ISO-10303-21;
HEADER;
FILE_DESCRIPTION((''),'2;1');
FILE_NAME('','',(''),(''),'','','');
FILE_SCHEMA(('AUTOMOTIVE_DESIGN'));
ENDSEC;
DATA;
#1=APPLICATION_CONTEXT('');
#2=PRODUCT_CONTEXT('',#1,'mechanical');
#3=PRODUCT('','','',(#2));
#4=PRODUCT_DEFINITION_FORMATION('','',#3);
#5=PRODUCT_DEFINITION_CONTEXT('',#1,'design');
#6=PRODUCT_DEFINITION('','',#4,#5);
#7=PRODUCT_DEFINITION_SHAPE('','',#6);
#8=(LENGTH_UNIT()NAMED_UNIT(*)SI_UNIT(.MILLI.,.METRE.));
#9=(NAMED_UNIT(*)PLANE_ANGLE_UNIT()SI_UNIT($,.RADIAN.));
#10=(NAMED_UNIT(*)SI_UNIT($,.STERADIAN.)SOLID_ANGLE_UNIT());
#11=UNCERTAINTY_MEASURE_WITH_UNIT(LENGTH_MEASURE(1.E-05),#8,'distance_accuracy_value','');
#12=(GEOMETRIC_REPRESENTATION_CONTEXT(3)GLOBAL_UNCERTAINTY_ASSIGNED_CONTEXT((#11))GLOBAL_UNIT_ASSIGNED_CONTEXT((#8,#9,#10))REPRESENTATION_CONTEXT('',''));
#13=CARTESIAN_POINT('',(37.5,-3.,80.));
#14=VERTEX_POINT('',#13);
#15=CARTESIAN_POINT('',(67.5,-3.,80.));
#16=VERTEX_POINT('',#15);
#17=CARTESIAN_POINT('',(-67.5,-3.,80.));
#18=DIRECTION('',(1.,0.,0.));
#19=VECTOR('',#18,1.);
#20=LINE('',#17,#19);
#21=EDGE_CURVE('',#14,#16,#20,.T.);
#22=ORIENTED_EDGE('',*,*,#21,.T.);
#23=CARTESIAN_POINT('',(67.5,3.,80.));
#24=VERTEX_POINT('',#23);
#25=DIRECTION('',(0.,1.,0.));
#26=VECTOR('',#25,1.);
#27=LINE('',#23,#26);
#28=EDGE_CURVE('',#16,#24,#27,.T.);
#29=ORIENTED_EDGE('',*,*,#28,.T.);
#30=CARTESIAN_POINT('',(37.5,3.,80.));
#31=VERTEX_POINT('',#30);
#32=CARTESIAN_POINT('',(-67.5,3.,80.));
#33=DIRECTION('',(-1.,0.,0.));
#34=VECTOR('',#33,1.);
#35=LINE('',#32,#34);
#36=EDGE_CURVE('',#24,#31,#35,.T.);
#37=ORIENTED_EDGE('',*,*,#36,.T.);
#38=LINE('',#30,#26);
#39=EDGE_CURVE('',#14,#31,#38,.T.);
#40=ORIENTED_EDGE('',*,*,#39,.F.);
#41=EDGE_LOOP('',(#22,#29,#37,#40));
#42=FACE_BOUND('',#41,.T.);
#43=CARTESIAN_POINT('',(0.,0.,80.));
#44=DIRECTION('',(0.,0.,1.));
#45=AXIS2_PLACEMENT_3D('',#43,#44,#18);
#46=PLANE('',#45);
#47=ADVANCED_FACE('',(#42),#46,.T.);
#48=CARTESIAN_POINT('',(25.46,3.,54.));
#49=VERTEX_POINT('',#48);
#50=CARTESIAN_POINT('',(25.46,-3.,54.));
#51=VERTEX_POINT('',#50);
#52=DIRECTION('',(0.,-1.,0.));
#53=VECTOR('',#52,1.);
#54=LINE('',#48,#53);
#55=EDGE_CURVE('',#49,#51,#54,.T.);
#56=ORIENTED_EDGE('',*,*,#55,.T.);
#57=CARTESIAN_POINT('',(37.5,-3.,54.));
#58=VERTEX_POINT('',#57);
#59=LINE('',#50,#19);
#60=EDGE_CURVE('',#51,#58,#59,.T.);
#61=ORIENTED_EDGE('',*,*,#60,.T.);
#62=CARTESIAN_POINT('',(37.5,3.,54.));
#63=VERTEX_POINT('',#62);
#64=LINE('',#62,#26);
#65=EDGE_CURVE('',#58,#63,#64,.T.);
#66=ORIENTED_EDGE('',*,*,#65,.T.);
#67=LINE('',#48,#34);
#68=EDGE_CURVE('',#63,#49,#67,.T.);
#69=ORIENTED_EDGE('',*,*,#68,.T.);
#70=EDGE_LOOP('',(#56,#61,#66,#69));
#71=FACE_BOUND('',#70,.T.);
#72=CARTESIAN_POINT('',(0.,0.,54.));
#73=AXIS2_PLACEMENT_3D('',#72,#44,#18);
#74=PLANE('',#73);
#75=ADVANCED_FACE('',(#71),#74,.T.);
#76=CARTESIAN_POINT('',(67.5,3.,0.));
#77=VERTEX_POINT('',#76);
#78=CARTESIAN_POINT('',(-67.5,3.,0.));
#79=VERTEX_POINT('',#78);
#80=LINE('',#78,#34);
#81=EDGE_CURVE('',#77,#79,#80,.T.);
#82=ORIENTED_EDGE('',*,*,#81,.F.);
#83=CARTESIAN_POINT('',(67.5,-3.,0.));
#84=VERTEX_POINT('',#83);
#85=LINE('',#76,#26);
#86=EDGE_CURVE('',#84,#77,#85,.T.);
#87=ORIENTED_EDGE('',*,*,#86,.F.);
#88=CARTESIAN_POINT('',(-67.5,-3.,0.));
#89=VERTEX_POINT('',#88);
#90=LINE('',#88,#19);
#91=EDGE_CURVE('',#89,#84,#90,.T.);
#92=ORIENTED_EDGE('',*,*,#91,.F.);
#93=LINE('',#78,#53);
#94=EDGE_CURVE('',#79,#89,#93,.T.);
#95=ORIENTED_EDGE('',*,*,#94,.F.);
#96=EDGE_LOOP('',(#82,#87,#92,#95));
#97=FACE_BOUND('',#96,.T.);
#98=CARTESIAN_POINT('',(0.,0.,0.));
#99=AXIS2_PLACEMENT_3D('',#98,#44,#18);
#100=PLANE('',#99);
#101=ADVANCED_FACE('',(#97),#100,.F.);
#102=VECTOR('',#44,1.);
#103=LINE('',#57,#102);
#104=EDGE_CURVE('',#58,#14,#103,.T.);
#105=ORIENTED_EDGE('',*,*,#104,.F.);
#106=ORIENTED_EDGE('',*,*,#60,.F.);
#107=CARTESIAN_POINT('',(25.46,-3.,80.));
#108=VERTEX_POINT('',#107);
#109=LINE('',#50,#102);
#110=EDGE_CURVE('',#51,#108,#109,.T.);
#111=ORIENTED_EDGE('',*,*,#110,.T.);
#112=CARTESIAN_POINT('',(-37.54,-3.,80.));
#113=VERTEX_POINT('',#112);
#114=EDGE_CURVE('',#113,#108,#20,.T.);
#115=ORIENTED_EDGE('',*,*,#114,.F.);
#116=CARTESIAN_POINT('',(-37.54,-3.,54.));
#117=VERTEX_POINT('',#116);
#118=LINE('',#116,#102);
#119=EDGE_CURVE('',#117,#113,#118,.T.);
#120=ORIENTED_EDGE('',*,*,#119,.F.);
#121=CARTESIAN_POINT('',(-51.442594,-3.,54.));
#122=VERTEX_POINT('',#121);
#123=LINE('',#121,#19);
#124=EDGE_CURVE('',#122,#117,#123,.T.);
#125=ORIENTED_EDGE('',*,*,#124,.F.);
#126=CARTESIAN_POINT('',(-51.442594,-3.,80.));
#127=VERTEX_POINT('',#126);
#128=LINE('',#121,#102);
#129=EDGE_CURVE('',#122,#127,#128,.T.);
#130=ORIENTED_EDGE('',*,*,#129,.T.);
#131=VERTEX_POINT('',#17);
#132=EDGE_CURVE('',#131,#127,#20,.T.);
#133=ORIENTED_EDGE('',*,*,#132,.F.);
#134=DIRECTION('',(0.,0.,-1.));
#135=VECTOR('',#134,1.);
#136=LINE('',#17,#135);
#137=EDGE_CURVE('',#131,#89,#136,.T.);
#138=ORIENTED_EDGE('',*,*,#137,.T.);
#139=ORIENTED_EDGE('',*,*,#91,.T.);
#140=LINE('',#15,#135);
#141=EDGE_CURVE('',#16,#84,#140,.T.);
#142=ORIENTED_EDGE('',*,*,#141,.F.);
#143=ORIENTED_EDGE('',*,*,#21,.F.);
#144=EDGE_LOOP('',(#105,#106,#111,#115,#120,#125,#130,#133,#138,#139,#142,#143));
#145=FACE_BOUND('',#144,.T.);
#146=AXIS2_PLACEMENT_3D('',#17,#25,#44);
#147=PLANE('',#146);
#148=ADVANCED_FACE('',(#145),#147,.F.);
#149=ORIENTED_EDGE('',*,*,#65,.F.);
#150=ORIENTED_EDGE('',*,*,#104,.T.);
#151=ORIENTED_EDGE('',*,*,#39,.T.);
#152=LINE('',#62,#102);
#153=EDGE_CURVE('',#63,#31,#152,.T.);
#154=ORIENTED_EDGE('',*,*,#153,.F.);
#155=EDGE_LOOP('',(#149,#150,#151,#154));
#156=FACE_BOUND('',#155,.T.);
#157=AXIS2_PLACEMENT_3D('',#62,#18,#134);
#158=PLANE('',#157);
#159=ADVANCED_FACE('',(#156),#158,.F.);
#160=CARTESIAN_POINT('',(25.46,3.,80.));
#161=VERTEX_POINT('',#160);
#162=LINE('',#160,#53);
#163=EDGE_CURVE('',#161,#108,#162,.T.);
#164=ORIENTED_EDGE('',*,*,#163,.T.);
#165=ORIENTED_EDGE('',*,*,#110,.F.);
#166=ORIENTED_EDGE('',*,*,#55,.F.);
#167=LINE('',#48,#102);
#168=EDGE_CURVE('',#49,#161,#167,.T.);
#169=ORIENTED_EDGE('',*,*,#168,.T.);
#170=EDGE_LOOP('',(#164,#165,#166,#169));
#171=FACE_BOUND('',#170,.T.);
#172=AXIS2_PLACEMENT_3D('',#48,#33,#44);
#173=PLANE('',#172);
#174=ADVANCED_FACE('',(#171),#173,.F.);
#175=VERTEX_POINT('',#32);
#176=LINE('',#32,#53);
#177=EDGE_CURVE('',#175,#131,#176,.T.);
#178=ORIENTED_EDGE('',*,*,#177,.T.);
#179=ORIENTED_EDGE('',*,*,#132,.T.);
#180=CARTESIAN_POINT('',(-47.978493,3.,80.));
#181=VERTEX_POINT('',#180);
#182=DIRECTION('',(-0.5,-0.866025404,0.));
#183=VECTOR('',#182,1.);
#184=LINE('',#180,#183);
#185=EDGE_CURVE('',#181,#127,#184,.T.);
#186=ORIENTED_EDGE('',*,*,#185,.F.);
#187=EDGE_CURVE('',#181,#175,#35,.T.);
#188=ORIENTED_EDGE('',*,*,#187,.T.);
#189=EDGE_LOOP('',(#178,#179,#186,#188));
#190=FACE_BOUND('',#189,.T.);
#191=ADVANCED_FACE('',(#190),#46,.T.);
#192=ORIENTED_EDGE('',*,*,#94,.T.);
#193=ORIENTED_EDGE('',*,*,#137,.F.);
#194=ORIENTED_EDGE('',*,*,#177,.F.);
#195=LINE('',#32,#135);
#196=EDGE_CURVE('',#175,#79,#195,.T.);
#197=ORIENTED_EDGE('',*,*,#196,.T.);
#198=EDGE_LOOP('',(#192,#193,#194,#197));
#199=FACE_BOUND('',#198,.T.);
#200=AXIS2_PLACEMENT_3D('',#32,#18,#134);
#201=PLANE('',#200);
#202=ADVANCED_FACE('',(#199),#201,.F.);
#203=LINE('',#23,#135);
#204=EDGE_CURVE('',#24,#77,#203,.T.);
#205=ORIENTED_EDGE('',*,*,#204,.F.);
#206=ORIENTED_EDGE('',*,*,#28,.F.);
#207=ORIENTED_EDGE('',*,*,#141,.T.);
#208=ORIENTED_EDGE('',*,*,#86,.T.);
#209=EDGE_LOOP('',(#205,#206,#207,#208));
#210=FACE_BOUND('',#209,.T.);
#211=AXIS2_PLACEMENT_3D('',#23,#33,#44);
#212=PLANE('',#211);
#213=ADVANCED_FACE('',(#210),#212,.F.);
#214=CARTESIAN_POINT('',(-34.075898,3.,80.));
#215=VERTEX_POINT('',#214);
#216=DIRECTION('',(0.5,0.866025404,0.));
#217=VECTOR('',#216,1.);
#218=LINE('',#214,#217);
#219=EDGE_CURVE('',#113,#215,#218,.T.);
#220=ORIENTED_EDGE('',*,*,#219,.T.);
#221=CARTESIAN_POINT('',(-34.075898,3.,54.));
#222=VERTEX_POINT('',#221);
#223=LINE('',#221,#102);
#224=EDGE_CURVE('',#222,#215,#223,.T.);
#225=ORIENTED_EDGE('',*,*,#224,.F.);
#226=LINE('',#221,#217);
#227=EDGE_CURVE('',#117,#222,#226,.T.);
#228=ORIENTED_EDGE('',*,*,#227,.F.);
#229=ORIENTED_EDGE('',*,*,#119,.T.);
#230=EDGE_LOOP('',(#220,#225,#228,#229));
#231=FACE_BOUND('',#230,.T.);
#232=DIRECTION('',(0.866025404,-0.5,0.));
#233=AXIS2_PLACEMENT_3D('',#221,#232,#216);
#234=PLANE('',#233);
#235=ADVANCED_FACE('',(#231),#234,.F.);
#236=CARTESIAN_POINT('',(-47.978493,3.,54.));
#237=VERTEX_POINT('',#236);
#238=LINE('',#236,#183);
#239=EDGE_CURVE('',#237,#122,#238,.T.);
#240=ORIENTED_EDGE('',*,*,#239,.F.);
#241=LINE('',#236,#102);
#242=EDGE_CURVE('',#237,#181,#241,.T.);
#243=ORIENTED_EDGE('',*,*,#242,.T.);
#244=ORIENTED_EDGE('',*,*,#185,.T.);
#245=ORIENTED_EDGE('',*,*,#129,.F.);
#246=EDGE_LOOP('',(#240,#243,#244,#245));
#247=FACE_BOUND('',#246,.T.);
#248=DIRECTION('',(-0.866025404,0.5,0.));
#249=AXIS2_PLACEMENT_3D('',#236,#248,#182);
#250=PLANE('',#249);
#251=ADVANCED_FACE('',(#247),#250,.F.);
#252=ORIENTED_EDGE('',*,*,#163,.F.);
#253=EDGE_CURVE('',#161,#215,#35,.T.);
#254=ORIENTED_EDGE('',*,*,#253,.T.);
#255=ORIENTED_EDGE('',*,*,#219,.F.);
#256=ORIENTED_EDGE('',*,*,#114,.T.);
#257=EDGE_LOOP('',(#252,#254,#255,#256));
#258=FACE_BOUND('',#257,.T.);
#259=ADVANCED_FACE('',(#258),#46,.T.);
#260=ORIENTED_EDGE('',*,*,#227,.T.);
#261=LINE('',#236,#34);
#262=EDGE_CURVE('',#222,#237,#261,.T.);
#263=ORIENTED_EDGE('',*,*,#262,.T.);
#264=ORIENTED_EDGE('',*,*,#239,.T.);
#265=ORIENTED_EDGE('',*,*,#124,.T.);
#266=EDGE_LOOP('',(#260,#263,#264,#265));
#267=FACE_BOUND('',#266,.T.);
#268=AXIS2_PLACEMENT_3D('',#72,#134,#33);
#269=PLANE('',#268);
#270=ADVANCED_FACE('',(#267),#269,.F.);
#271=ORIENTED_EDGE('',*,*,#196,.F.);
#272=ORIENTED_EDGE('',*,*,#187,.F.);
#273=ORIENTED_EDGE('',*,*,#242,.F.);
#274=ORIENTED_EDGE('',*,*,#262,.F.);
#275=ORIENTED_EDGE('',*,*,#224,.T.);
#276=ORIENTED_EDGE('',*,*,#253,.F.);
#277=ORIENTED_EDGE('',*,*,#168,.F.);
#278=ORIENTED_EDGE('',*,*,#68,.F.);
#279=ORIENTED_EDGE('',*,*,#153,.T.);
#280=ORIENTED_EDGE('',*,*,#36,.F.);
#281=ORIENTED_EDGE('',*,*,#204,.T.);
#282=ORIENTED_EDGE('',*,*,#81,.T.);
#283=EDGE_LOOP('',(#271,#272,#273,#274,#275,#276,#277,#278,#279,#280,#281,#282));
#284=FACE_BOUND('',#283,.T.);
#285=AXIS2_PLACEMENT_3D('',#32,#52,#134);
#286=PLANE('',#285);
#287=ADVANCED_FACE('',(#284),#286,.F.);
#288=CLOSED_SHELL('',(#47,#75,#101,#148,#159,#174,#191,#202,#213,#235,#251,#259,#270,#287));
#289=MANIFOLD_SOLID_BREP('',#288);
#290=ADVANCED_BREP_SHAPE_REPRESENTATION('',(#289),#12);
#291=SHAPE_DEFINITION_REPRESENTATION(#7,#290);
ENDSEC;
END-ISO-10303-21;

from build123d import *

# Parameters (mm, degrees)
SKETCH1_W           = 135
SKETCH1_H           = 6
BOSS_EXTRUDE1_DEPTH = 80
SKETCH2_W           = 12.04
SKETCH2_H           = 6
CUT_EXTRUDE1_DEPTH  = 26


with BuildPart() as part:
    # Sketch1 → Boss-Extrude1 (new body)
    with BuildSketch(Plane.XY):
        Rectangle(SKETCH1_W, SKETCH1_H)
    extrude(amount=BOSS_EXTRUDE1_DEPTH)

    # Sketch2 → Cut-Extrude1 (cut)
    with BuildSketch(Plane.XY.offset(80)):
        with Locations((31.48, 0)):
            Rectangle(SKETCH2_W, SKETCH2_H)
        Polygon((-34.075898385, 3), (-37.54, -3), (-51.442594482, -3), (-47.978492867, 3), align=None)
    extrude(amount=-CUT_EXTRUDE1_DEPTH, mode=Mode.SUBTRACT)


solid = part.part
